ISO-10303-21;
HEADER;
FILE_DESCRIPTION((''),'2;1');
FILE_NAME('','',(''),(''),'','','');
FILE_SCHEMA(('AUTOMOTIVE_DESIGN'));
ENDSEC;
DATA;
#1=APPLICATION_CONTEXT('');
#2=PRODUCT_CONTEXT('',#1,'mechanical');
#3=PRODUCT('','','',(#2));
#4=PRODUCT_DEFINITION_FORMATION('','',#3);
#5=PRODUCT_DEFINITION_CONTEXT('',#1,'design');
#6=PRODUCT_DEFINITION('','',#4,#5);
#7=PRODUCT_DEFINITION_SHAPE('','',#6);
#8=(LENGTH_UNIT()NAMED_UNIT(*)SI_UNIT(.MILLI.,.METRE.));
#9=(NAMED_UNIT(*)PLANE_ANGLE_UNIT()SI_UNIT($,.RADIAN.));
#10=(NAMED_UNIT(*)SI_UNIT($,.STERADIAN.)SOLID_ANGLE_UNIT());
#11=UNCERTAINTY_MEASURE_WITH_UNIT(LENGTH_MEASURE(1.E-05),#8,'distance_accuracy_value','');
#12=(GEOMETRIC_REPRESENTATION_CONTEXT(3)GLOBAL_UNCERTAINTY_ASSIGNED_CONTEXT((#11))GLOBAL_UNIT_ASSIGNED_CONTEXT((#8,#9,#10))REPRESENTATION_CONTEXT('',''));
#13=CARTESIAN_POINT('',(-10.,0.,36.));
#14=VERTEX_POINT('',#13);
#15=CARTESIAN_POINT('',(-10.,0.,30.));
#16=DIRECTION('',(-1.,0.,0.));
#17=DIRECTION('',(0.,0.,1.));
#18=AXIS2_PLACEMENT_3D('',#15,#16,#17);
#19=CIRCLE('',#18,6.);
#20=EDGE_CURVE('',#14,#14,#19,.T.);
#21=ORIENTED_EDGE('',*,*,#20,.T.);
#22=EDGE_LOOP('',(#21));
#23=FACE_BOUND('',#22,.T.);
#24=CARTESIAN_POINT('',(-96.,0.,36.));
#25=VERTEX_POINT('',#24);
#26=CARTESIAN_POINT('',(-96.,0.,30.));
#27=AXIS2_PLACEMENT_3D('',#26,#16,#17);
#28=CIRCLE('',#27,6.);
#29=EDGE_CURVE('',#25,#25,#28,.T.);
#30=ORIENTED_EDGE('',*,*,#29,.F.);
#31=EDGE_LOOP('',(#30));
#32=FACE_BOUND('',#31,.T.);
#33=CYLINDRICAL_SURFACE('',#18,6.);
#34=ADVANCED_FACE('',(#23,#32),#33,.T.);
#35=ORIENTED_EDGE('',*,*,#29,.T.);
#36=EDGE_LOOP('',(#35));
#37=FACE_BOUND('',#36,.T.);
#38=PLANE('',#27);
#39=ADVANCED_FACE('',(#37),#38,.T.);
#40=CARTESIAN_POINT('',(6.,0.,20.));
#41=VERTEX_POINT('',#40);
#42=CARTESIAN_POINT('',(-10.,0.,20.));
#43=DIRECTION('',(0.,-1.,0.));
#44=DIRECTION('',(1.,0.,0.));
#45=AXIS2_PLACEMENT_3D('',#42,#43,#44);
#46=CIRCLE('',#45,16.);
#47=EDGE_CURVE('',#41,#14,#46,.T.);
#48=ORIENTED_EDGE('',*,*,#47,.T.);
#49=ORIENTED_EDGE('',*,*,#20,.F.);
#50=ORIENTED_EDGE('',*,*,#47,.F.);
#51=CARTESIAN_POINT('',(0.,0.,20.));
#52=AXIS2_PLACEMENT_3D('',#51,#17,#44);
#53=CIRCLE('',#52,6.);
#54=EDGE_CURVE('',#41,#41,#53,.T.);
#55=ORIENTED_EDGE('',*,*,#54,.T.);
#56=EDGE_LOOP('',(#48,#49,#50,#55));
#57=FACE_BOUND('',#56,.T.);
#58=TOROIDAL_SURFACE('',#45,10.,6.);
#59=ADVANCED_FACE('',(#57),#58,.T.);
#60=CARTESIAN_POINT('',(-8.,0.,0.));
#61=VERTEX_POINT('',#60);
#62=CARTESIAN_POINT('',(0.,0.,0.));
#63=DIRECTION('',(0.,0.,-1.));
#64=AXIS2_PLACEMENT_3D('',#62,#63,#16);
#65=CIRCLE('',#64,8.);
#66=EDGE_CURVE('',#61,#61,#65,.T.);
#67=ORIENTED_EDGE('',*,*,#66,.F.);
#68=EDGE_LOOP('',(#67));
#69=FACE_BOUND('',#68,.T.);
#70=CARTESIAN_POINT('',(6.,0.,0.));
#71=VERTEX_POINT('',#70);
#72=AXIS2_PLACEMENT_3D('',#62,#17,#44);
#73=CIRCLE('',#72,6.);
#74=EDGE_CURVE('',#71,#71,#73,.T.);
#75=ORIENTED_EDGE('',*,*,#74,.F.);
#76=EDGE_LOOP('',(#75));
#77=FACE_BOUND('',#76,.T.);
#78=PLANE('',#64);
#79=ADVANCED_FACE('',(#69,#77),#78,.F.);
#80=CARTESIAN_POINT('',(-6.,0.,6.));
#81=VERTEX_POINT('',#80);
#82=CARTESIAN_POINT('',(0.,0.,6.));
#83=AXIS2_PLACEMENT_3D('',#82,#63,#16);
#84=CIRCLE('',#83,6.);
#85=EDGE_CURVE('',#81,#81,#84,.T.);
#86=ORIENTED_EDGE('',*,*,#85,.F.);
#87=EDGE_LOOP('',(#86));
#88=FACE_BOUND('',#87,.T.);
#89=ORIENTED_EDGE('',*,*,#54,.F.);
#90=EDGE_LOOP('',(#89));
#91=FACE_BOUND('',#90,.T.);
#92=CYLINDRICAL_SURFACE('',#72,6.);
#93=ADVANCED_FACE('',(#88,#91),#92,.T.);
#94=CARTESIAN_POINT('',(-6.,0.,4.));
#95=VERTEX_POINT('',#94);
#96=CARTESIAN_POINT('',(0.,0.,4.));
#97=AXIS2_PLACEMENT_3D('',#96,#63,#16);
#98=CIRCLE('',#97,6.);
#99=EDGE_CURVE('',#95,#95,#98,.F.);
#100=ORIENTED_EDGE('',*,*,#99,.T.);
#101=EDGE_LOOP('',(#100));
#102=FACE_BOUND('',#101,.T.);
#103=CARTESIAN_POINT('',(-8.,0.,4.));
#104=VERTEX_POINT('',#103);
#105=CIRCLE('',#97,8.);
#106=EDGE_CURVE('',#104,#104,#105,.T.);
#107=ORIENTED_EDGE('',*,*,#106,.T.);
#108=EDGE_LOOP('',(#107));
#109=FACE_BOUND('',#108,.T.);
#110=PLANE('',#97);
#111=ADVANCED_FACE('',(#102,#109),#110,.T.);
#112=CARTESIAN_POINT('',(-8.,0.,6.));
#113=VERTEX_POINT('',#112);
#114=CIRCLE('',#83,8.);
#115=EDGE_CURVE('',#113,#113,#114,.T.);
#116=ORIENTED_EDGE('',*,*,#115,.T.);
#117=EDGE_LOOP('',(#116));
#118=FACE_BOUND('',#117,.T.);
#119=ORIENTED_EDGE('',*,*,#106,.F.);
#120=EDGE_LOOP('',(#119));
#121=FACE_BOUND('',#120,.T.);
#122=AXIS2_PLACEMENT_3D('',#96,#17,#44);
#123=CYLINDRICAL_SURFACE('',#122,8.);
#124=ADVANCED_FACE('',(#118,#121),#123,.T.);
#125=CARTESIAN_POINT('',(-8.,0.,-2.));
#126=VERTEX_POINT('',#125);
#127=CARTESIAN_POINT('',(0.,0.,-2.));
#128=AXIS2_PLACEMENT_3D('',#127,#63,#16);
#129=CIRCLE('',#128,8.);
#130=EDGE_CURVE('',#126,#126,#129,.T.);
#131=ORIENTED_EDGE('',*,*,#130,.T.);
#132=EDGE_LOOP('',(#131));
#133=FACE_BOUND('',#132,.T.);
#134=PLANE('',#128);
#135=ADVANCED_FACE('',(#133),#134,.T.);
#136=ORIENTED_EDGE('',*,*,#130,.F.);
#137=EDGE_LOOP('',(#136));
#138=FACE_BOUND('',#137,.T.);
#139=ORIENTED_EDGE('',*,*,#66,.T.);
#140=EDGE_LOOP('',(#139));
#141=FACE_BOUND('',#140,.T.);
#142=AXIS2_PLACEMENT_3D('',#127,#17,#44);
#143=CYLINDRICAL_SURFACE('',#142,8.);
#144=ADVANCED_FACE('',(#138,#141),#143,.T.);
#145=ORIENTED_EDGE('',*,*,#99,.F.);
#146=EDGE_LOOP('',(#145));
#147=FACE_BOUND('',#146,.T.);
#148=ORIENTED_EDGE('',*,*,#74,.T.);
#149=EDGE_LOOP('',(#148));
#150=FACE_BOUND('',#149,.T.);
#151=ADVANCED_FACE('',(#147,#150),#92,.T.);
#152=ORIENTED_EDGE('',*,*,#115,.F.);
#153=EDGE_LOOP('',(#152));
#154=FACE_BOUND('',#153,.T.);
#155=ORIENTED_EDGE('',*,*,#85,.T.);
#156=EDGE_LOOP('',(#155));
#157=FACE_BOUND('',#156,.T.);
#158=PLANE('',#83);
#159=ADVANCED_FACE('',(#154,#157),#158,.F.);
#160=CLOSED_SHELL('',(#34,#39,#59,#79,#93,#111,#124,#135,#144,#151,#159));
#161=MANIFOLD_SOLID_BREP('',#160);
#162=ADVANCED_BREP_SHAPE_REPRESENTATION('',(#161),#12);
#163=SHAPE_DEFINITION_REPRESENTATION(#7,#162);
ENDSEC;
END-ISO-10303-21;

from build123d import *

# Parameters (mm, degrees)
SKETCH2_R           = 6
SKETCH4_R           = 8
BOSS_EXTRUDE1_DEPTH = 2
SKETCH5_R           = 8
SKETCH5_R_2         = 6
BOSS_EXTRUDE2_DEPTH = 2


with BuildPart() as part:
    # Sweep1: sweep along a curve in space
    with BuildLine() as sweep1_path:
        Line((0, 0, 0), (0, 0, 20))
        ThreePointArc((-10, 0, 30), (-2.928932188, 0, 27.071067812), (0, 0, 20))
        Line((-10, 0, 30), (-96, 0, 30))
    # Sketch2 → Sweep1 (sweep)
    with BuildSketch(Plane.XY):
        Circle(SKETCH2_R)
    sweep(path=sweep1_path.line)

    # Sketch4 → Boss-Extrude1 (add)
    with BuildSketch(Plane(origin=(0, 0, 0), x_dir=(-1, 0, 0), z_dir=(0, 0, -1))):
        Circle(SKETCH4_R)
    extrude(amount=BOSS_EXTRUDE1_DEPTH)

    # Sketch5 → Boss-Extrude2 (add)
    with BuildSketch(Plane(origin=(0, 0, 6), x_dir=(-1, 0, 0), z_dir=(0, 0, -1))):
        Circle(SKETCH5_R)
        with Locations(Location((0, 0, 0), (0, 0, 180))):
            Circle(SKETCH5_R_2, mode=Mode.SUBTRACT)
    extrude(amount=BOSS_EXTRUDE2_DEPTH)


solid = part.part
